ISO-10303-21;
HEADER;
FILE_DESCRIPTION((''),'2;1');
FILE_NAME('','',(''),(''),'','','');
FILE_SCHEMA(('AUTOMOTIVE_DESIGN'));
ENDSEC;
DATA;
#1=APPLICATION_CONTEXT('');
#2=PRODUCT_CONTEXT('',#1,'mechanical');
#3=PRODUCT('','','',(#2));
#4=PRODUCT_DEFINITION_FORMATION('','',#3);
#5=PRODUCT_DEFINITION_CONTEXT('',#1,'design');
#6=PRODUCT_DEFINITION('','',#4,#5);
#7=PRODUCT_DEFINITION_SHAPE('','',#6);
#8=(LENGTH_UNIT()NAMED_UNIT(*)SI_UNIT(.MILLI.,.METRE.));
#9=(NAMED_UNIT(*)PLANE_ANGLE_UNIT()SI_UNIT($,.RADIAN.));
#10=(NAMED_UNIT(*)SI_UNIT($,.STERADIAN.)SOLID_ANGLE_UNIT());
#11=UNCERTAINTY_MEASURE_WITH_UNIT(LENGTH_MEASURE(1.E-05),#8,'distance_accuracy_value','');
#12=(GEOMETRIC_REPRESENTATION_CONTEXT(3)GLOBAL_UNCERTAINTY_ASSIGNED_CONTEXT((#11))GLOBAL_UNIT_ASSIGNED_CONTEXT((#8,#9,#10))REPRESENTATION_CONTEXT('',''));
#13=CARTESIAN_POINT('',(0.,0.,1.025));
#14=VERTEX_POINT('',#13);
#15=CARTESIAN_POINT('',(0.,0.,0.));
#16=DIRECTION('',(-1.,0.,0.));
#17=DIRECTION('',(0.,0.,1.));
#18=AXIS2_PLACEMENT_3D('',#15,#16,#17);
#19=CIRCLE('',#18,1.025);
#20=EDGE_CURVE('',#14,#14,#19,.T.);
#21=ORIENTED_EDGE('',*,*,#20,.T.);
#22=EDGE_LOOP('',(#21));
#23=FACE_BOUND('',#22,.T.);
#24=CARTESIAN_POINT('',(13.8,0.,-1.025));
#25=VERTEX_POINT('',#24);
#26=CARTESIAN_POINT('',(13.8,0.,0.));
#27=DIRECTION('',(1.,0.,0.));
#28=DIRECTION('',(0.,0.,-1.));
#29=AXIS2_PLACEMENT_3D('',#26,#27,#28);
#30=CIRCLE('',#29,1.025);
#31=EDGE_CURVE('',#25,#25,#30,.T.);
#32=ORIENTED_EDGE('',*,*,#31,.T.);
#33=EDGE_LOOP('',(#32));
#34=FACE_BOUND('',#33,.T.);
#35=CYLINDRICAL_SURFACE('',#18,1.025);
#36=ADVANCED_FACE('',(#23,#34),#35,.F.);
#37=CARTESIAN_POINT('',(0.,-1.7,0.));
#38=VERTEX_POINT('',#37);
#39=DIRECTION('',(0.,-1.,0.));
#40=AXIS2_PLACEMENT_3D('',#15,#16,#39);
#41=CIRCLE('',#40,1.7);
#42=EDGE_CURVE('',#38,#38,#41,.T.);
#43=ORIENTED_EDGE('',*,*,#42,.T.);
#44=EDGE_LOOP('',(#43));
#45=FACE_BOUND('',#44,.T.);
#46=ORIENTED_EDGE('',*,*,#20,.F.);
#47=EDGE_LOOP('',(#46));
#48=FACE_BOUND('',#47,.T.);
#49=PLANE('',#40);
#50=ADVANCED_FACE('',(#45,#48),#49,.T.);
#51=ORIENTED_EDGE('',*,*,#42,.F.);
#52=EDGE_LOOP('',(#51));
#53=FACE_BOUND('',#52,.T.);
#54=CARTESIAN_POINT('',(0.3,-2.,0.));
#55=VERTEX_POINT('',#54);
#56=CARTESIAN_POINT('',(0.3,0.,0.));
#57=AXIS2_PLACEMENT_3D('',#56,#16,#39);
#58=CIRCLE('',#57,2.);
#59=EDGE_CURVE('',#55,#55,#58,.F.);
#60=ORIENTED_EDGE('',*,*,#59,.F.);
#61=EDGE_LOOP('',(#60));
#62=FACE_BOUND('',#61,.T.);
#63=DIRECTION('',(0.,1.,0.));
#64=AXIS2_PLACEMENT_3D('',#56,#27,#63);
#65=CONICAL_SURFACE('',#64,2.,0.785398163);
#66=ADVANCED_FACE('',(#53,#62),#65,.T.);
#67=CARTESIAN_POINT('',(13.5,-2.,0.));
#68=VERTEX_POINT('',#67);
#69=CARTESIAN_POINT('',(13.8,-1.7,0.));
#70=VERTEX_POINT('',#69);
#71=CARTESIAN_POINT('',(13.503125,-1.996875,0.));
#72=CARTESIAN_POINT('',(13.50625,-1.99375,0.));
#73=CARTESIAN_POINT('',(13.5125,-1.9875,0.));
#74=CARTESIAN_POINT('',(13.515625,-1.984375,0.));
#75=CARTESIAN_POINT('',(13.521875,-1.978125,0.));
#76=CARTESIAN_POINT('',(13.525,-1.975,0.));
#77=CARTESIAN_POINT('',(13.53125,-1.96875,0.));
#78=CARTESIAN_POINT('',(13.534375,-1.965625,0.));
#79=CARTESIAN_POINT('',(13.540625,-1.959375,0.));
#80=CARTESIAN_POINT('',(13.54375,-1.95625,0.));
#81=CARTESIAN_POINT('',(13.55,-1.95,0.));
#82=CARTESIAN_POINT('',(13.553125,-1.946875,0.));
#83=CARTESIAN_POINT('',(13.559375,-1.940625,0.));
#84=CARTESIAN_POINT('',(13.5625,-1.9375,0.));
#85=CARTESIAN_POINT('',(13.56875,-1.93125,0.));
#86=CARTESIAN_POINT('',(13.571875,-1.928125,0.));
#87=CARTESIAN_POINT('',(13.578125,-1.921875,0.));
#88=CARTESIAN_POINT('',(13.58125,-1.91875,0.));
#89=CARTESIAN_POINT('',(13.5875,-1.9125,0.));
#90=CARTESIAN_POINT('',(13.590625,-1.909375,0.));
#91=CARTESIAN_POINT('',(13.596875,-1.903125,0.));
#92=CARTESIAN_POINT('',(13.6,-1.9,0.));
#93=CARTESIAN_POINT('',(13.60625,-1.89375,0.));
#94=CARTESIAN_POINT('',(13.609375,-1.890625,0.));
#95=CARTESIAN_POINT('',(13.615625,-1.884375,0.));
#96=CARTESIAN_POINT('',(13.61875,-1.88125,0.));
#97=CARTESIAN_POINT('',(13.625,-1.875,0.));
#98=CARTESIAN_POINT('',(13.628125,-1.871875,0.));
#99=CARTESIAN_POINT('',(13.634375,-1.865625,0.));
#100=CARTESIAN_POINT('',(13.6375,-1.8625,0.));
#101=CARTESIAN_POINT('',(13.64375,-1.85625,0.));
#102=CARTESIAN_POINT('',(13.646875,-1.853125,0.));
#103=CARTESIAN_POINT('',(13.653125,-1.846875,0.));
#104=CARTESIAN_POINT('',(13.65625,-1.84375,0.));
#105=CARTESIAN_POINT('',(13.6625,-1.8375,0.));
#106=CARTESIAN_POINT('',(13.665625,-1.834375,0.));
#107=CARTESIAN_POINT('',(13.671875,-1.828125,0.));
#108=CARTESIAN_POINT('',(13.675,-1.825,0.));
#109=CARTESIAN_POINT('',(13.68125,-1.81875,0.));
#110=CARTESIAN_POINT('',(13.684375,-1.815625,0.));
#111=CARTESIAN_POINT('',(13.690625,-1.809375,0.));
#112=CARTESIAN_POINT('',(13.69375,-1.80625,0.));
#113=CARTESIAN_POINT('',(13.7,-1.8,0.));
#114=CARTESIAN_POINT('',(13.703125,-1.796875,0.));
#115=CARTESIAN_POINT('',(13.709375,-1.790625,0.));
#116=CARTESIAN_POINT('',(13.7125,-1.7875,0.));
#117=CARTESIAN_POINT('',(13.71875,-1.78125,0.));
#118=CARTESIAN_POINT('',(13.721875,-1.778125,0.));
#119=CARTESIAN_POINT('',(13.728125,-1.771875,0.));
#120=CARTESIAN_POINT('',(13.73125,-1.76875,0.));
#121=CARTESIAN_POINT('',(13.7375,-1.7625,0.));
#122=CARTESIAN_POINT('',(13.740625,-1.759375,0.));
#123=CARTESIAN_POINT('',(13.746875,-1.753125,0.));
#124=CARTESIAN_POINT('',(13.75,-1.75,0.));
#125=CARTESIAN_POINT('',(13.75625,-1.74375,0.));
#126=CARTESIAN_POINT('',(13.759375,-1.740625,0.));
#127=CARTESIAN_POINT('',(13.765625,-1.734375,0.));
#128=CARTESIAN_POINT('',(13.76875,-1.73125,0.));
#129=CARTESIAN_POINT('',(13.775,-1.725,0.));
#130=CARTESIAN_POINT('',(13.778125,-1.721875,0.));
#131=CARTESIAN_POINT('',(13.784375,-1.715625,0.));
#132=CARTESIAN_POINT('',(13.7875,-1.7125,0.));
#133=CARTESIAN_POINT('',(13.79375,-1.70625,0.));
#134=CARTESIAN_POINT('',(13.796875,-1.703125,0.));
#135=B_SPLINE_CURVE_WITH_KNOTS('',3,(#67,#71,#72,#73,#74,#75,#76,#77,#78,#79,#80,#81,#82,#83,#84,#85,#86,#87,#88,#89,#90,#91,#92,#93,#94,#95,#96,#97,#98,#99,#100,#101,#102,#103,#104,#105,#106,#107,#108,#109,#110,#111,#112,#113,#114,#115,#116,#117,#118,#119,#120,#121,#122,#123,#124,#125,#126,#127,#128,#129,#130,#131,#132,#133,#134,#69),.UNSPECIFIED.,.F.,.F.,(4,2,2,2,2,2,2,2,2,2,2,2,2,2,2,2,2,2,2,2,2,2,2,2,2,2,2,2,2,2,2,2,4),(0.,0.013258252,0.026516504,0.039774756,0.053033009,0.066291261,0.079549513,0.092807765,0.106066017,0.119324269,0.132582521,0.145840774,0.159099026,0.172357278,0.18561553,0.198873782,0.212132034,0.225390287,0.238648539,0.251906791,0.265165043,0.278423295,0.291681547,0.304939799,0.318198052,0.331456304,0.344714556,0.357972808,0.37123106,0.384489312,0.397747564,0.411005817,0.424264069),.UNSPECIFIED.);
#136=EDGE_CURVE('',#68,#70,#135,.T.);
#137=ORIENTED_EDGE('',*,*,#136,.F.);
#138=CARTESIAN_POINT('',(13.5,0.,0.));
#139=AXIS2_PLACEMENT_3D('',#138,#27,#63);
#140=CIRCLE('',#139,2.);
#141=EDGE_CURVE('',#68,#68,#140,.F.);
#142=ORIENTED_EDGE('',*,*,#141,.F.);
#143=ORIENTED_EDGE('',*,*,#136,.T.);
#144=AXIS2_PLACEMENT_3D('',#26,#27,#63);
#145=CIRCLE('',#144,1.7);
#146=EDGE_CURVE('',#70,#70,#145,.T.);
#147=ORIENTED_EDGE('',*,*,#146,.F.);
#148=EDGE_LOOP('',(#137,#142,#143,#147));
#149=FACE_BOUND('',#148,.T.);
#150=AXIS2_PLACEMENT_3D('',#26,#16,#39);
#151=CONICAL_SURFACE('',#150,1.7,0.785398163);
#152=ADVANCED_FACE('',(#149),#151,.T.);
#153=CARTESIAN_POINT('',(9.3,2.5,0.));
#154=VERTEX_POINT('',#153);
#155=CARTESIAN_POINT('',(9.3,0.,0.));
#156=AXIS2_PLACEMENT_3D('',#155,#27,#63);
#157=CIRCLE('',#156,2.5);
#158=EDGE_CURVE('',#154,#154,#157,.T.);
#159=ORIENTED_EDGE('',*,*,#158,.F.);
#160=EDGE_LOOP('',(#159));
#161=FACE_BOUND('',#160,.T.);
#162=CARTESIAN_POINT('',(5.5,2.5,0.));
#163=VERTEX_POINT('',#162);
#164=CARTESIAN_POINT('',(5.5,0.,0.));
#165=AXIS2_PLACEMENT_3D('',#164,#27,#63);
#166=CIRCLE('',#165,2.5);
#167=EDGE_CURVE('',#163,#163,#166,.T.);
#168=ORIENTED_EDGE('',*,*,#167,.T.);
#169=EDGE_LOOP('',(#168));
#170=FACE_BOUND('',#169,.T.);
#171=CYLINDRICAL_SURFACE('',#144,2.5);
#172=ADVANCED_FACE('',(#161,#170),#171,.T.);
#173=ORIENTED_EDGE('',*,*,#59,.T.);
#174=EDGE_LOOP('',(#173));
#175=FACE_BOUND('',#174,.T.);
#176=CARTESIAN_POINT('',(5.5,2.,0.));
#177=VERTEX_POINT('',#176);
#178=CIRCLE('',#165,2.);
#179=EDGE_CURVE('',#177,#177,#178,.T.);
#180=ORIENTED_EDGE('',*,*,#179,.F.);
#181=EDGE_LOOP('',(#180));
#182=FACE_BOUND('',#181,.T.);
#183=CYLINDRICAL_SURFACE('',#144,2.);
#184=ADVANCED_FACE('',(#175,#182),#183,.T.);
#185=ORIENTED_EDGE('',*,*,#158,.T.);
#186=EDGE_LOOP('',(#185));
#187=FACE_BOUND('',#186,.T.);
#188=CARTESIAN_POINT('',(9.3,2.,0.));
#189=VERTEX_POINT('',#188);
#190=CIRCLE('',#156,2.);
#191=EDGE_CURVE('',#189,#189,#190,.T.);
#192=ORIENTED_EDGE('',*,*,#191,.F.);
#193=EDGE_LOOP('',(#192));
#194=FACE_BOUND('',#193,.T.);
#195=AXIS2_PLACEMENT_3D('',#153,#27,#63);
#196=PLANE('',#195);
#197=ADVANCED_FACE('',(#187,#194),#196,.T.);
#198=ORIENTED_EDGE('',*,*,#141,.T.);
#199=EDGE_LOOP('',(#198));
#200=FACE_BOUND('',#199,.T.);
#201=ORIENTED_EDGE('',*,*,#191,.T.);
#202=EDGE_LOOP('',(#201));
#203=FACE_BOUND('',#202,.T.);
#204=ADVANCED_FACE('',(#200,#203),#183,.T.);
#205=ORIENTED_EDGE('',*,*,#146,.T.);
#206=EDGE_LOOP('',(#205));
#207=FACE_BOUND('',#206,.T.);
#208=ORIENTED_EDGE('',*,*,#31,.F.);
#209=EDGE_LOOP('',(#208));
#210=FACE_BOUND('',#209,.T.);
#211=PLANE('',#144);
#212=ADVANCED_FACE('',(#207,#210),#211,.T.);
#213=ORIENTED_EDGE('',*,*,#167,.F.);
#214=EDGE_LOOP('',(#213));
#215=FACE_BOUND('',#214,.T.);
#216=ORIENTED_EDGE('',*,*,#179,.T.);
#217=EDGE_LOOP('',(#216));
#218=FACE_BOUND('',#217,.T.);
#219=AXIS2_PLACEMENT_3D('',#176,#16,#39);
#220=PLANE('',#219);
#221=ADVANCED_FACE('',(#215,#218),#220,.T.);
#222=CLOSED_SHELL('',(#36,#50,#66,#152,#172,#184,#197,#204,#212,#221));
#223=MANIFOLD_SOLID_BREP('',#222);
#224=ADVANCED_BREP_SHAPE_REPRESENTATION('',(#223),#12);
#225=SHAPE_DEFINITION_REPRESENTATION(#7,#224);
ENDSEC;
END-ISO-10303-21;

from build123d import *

# Parameters (mm, degrees)
TROU_TARAUD_M2_52_D     = 2.05
TROU_TARAUD_M2_52_DEPTH = 7.35
TROU_TARAUD_M2_52_TIP   = 0.615882135
TROU_TARAUD_M2_51_D     = 2.05
CHANFREIN1_SIZE         = 0.3


with BuildPart() as part:
    # Esquisse1 → Révolution1 (revolve)
    with BuildSketch(Plane.XY):
        Polygon((0, 0), (0, 2), (5.5, 2), (5.5, 2.5), (9.3, 2.5), (9.3, 2), (13.8, 2), (13.8, 0), align=None)
    revolve(axis=Axis((13.8, 0, 0), (-1, 0, 0)))

    # Trou taraudé M2.52
    with Locations(Plane.ZY):
        with Locations((0, 0)):
            Hole(TROU_TARAUD_M2_52_D / 2, depth=TROU_TARAUD_M2_52_DEPTH)
            with Locations((0, 0, -(TROU_TARAUD_M2_52_DEPTH + TROU_TARAUD_M2_52_TIP / 2))):  # 118° drill point
                Cone(0, TROU_TARAUD_M2_52_D / 2, TROU_TARAUD_M2_52_TIP, mode=Mode.SUBTRACT)

    # Trou taraudé M2.51 (through all)
    with Locations(Plane(origin=(13.8, 0, 0), x_dir=(0, 0, -1), z_dir=(1, 0, 0))):
        with Locations((0, 0)):
            Hole(TROU_TARAUD_M2_51_D / 2)

    # Chanfrein1
    chanfrein1_edges = [part.edges().sort_by_distance(p)[0] for p in [
        (0, -2, 0),
        (13.8, -2, 0),
    ]]
    chamfer(chanfrein1_edges, length=CHANFREIN1_SIZE)


solid = part.part
